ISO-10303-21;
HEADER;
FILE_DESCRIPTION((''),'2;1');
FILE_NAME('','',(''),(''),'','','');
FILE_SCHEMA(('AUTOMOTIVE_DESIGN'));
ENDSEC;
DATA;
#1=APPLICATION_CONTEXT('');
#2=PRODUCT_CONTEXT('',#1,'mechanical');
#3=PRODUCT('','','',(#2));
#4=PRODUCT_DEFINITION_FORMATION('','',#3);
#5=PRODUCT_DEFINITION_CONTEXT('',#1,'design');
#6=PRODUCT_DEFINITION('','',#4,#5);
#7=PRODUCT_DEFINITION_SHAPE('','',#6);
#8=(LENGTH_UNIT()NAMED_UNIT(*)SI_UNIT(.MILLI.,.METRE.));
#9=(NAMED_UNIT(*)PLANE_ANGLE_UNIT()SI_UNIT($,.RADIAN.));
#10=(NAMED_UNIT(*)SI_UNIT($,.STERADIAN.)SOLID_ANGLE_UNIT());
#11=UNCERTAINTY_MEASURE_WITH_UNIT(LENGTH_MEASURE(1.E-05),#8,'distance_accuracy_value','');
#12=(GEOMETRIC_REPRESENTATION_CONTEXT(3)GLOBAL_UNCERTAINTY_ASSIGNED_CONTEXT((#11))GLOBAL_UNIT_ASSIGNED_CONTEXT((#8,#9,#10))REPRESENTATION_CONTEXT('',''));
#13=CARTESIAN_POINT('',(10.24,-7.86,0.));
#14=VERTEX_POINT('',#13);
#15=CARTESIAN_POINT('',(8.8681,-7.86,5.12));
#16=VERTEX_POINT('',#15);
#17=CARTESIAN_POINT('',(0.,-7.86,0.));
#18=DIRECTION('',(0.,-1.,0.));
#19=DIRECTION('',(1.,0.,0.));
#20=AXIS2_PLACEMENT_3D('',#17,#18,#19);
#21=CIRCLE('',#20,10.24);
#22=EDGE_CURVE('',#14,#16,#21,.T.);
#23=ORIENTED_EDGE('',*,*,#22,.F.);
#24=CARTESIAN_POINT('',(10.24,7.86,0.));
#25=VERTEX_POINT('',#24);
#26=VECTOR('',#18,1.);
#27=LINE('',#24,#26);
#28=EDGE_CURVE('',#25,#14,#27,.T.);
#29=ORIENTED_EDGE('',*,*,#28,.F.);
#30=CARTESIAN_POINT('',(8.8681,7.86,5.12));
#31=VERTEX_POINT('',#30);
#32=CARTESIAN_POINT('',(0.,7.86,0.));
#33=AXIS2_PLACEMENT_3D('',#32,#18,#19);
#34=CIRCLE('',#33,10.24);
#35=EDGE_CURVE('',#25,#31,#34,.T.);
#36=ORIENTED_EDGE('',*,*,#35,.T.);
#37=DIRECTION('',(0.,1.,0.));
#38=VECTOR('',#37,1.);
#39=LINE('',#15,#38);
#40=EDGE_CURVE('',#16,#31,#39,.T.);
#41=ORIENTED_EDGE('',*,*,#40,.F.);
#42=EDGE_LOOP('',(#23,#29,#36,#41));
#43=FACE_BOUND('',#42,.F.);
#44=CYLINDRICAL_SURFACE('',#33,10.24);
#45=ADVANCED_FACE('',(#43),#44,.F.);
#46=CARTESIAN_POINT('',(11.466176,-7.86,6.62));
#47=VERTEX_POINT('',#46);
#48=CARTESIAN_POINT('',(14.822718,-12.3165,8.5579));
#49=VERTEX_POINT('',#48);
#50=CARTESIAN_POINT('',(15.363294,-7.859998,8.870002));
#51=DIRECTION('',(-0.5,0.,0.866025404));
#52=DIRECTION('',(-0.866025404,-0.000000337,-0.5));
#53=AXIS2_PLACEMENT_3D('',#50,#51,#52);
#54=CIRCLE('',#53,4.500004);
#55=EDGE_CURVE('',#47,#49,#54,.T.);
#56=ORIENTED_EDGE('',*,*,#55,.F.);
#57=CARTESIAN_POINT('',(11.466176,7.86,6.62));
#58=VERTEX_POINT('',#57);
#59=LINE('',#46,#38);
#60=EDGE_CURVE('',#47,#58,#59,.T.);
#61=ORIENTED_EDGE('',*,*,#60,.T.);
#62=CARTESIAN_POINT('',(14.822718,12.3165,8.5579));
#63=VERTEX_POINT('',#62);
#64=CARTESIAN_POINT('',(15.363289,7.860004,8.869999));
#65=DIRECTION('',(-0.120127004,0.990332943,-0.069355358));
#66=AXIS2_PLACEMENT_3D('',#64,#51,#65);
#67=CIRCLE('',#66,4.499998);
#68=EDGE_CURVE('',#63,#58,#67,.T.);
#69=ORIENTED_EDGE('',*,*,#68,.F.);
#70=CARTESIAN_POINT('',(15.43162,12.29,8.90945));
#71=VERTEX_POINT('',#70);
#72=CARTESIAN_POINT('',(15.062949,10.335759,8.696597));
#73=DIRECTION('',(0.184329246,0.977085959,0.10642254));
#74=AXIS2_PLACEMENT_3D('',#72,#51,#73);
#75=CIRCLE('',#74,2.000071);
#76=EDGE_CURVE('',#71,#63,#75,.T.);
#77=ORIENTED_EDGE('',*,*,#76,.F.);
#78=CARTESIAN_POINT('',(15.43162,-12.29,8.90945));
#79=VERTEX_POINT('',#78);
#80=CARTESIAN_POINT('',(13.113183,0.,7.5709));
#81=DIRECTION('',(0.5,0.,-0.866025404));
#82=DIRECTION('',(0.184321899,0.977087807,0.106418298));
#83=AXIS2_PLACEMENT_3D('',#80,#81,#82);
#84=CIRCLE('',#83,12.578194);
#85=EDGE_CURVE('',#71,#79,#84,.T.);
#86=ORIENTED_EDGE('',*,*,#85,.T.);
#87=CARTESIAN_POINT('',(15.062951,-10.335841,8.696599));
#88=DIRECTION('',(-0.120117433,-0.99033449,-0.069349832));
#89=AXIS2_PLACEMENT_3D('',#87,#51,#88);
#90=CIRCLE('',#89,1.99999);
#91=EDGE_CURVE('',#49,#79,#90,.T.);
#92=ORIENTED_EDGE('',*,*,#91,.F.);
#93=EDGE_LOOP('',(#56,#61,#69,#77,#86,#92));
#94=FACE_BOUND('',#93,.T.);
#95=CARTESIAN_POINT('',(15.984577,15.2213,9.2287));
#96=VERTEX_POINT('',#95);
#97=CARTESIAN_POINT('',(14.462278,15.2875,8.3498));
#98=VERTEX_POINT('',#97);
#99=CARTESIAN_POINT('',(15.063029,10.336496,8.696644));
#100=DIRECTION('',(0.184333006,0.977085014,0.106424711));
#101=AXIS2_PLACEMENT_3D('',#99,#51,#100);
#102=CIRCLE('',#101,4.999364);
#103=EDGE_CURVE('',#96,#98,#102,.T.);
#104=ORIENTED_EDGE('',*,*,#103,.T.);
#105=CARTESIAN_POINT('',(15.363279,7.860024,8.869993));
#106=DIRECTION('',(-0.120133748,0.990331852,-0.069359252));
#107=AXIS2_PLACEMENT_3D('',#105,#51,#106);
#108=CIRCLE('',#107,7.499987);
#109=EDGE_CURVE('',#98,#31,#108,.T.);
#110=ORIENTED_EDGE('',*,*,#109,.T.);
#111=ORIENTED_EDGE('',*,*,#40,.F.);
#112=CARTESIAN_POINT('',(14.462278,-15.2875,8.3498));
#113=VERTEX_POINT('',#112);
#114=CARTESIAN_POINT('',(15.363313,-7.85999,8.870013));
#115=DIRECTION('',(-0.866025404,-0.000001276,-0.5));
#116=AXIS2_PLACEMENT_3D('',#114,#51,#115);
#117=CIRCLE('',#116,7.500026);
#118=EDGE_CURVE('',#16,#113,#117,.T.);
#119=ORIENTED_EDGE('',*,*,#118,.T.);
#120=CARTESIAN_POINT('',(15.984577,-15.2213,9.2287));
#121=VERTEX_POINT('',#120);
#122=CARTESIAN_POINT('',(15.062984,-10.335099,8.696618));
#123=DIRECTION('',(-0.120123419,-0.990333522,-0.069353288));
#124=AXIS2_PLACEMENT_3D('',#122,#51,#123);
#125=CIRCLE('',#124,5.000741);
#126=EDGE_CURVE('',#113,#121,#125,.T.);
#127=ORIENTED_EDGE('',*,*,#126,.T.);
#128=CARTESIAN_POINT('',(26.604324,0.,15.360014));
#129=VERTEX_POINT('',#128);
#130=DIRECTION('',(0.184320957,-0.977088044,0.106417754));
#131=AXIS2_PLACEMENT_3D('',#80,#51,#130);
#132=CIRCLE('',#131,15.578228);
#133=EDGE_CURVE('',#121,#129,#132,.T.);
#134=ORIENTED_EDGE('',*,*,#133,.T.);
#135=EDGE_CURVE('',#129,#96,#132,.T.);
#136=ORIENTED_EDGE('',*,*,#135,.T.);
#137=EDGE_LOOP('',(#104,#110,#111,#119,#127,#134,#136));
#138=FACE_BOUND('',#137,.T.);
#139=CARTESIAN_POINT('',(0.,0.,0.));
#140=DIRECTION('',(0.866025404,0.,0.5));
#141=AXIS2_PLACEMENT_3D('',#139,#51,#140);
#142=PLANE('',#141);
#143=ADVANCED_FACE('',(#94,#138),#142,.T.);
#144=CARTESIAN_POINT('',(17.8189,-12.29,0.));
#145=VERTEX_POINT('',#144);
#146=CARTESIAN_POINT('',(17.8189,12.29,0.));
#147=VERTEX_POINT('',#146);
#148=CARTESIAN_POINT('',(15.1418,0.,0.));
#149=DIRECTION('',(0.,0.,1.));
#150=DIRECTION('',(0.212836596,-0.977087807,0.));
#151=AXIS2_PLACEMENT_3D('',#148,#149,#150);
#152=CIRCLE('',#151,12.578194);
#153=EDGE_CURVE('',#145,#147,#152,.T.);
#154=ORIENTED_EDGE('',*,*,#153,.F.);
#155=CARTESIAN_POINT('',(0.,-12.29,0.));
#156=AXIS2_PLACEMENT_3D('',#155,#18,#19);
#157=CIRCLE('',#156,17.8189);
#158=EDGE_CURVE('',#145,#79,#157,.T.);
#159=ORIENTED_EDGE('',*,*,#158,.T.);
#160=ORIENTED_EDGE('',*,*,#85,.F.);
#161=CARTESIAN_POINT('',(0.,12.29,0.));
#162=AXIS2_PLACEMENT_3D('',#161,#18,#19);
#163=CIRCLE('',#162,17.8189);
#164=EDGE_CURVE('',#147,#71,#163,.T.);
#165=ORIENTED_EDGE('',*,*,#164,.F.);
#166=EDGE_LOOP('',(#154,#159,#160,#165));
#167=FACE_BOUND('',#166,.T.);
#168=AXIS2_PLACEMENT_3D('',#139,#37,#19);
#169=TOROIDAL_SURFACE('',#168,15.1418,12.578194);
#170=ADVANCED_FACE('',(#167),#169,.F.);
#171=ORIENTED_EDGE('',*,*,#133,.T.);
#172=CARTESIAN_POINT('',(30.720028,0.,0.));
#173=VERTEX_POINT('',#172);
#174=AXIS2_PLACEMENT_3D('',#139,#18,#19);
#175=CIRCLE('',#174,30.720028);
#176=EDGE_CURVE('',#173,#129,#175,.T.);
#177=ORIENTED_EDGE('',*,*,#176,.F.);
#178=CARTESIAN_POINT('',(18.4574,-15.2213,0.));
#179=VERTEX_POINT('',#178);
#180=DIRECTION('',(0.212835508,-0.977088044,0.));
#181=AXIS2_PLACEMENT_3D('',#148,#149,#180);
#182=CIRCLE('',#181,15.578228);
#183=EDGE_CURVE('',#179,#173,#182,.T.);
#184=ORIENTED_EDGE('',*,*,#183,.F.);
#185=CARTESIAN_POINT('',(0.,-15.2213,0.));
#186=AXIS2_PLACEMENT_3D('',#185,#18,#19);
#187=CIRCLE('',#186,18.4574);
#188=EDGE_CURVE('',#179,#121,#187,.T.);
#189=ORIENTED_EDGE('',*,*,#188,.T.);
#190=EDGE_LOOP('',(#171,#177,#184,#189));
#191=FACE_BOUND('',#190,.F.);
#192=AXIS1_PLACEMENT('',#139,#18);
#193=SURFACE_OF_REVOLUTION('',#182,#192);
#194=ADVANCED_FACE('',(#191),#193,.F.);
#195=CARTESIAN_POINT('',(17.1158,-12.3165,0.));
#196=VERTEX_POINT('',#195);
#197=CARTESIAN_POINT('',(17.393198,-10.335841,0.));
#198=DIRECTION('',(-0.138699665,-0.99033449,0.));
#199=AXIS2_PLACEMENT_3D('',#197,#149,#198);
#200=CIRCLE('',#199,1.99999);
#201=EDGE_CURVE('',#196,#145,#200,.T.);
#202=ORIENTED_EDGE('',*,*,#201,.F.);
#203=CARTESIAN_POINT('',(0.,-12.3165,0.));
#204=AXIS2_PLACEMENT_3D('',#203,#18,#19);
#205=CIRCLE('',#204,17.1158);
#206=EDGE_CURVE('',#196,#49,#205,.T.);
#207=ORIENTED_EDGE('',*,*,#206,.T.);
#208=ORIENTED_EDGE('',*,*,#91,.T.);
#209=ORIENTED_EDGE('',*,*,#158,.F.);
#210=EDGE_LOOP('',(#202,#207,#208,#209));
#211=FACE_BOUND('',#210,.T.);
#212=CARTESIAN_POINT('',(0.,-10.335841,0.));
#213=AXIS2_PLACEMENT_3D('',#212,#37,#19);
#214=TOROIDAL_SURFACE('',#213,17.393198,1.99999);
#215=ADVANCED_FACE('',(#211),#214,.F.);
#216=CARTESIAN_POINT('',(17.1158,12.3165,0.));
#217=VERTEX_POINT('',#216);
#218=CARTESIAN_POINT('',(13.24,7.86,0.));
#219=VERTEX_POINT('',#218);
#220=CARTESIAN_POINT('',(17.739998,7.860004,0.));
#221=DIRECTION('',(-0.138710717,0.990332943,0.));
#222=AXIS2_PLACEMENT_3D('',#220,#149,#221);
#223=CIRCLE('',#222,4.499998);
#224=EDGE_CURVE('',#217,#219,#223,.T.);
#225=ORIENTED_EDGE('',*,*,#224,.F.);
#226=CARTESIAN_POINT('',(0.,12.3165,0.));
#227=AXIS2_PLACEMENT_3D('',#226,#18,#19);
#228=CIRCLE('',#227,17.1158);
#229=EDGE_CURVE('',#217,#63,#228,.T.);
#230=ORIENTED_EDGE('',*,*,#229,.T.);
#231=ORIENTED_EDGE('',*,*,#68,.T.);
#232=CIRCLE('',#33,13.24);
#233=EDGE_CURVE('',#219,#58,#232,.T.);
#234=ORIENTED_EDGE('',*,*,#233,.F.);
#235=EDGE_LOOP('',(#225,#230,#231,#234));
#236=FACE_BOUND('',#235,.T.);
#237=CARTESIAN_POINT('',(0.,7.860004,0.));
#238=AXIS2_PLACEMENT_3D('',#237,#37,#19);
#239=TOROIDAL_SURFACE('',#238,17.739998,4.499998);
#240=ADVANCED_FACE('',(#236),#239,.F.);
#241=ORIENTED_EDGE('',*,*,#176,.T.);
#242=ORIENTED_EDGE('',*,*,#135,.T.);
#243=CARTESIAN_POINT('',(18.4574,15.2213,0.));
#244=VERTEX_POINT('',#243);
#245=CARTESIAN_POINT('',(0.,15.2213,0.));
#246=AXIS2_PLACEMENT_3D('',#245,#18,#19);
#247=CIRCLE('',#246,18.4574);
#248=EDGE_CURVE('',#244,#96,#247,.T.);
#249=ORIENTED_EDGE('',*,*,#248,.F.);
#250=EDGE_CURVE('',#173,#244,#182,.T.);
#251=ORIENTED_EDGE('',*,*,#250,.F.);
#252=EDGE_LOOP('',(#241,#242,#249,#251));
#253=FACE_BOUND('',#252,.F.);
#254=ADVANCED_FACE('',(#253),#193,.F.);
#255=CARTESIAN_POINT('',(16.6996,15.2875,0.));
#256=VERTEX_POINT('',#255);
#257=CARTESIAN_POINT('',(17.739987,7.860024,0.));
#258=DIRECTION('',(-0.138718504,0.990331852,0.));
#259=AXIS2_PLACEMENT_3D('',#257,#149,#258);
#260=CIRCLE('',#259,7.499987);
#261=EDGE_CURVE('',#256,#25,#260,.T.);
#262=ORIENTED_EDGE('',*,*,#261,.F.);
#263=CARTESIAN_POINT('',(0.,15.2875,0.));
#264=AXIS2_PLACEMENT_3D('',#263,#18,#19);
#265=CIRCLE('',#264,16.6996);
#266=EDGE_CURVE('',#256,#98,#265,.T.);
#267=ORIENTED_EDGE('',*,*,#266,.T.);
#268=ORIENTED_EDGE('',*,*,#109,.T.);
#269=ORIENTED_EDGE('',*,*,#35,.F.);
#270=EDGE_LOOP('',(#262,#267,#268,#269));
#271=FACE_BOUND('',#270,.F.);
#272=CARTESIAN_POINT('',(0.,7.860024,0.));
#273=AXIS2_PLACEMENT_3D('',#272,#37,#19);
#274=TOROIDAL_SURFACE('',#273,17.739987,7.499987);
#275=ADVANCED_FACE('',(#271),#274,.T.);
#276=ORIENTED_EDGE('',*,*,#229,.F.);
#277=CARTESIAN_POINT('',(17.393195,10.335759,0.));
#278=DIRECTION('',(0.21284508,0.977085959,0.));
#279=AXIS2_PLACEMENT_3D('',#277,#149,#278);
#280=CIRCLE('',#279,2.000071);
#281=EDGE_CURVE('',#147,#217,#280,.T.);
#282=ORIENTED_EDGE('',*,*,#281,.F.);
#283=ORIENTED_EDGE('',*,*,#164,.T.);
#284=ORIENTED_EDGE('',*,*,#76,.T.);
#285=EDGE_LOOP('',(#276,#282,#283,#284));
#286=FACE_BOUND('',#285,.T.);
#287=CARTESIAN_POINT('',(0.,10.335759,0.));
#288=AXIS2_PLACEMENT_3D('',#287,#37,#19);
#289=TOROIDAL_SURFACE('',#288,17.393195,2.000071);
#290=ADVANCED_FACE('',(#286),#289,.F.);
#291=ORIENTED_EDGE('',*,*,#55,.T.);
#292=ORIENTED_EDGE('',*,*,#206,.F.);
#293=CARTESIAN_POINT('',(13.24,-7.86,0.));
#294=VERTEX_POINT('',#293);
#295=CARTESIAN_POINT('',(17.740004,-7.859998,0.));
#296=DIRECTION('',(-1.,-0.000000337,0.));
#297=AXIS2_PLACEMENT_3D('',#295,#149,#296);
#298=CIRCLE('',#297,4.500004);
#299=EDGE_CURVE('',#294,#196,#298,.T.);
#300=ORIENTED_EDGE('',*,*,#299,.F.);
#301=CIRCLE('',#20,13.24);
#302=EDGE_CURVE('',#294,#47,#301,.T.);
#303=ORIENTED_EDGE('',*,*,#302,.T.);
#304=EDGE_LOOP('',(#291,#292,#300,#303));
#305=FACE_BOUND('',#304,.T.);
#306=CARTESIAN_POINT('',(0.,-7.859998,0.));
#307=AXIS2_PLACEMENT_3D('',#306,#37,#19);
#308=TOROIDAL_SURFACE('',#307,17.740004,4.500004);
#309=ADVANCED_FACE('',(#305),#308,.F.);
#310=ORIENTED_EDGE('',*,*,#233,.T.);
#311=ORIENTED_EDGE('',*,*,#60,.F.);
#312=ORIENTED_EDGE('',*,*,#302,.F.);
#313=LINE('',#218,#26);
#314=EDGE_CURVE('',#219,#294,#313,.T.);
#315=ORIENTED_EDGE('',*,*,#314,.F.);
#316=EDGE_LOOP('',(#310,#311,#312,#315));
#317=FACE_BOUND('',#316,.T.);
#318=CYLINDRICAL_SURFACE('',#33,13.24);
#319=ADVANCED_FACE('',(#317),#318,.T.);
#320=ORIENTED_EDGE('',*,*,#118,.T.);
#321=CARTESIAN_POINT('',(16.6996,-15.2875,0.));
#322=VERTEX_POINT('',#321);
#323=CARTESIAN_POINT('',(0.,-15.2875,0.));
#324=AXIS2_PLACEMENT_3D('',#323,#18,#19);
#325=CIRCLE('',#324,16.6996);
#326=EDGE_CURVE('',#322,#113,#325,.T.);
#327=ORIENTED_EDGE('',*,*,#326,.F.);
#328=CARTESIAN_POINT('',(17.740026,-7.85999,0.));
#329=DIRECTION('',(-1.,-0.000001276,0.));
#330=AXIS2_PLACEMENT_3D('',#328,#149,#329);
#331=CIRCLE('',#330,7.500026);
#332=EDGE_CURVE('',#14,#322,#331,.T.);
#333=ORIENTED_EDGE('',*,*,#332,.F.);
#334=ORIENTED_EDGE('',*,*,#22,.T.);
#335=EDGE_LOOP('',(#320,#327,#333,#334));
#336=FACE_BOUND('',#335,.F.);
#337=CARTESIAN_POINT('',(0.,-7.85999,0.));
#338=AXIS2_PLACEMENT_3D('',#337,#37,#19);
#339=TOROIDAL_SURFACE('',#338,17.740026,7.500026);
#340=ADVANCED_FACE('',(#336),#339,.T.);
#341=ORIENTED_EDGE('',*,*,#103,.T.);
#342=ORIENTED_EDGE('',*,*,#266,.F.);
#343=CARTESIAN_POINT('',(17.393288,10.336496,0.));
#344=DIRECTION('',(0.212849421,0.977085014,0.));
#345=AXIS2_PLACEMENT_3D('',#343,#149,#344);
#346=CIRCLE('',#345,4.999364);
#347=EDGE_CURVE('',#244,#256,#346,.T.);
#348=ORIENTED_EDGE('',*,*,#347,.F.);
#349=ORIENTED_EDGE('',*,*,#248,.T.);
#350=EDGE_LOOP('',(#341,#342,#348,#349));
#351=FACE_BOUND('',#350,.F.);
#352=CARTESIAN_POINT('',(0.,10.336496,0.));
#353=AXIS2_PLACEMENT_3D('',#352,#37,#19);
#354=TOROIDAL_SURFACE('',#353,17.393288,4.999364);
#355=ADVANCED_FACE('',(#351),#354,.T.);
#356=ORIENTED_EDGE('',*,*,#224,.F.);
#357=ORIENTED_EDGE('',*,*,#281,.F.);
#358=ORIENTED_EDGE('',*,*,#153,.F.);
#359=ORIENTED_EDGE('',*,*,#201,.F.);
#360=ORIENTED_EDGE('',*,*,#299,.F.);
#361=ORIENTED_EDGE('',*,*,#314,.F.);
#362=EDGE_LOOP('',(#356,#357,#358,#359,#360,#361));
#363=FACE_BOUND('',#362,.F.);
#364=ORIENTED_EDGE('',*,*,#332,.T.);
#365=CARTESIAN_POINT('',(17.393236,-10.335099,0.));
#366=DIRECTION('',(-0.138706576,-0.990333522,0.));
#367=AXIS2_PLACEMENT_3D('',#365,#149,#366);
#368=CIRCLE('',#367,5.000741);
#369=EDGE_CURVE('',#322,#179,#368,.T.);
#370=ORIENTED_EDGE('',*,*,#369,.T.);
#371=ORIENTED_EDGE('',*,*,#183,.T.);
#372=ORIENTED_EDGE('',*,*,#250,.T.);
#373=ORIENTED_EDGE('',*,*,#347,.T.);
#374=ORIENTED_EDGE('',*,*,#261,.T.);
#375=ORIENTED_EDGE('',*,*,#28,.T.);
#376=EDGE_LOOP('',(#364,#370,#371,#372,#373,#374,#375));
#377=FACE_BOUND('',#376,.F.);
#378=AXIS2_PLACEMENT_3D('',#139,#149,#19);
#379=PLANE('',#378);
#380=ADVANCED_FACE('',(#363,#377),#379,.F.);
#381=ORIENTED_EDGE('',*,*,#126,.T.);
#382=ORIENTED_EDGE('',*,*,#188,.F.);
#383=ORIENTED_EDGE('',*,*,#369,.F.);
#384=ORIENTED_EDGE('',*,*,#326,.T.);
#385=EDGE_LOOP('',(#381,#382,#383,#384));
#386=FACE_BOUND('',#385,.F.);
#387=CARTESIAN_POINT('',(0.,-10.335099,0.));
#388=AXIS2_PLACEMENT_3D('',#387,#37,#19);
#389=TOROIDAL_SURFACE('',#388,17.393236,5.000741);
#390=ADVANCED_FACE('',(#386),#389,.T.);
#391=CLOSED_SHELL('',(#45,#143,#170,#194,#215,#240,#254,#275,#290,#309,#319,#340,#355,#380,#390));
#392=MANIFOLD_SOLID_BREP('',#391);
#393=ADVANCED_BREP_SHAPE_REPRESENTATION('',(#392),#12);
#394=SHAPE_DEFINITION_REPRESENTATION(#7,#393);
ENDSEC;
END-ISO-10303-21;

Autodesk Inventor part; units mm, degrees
ref_plane "Work Plane2" through (0, 0, 0) normal (-0.2588, 0, -0.9659) x (0, 1, 0)
ref_plane "Work Plane1" through (-7, 0, -29.5697) normal (1, 0, 0) x (0, 0, -1)
ref_plane "YZ Plane" through (0, 0, 0) normal (1, 0, 0) x (0, 1, 0)
sketch "Sketch1" plane through (0, 0, 0) normal (0, 0, 1) x (1, 0, 0)
  line L0 (0, 0) -> (0, 15.36) construction
  line L1 (10.24, 7.86) -> (10.24, -7.86)
  line L2 (17.74, 15.36) -> (17.74, -15.36) construction
  arc A0 (16.6996, 15.2875) -> (10.24, 7.86) centre (17.74, 7.86) ccw
  arc A1 (10.24, -7.86) -> (16.6996, -15.2875) centre (17.74, -7.86) ccw
  arc A2 (18.4574, -15.2213) -> (18.4574, 15.2213) centre (15.1418, 0) ccw
  line L3 (0, 0) -> (51.4073, 0)
  arc A3 (18.4574, 15.2213) -> (16.6996, 15.2875) centre (17.3932, 10.3358) ccw
  arc A4 (16.6996, -15.2875) -> (18.4574, -15.2213) centre (17.3932, -10.3358) ccw
  arc A5 (17.8189, 12.29) -> (17.1158, 12.3165) centre (17.3932, 10.3358) ccw
  arc A6 (17.1158, 12.3165) -> (13.24, 7.86) centre (17.74, 7.86) ccw
  line L4 (13.24, 7.86) -> (13.24, -7.86)
  arc A7 (13.24, -7.86) -> (17.1158, -12.3165) centre (17.74, -7.86) ccw
  arc A8 (17.1158, -12.3165) -> (17.8189, -12.29) centre (17.3932, -10.3358) ccw
  arc A9 (17.8189, -12.29) -> (17.8189, 12.29) centre (15.1418, 0) ccw
  point P0 (10.24, 0)
  point P1 (30.72, 0)
  point P2 (17.74, 0)
  dimension "MaxHeight" = 15.36
  dimension "FlatHeightx2" = 15.72
  dimension "ID" = 20.48
  dimension "OD" = 61.44
  dimension "d5" = 30.72
  dimension "RadAtPeak" = 17.74
  dimension "d90" = 5
  dimension "d97" = 3
revolve "Revolution1" add sketch "Sketch1" angle 30 about axis through (0, 0, 0) along (0, -1, 0) contours A0 A3 A2 L3 A9 A5 A6 L4 L1 | L3 L4 A7 A8 A9 A2 A4 A1 L1
sketch "Sketch7" plane through (0, 0, 0) normal (0, 1, 0) x (-1, 0, 0)
  circle A0 centre (0, 0) radius 198.9616
sketch "Sketch8" plane through (0, 0, 0) normal (1, 0, 0) x (0, 1, 0)
  circle A0 centre (0, 0) radius 159.0195
sketch "Sketch9" plane through (0, 0, 0) normal (1, 0, 0) x (0, 0, -1)
  line L0 (74, 0) -> (35, 0) projected
  point P0 (0, 0)
  point P1 (-52.5, 0)
  point P2 (0, 0)
  point P3 (52.5, 0)
  dimension "d88" = 105
  dimension "d89" = 52.5
sketch "Sketch11" plane through (0, 0, 0) normal (1, 0, 0) x (0, 0, -1)
  arc A0 (-35, 25.9107) -> (-42.6927, 34.8921) centre (-44.0893, 25.9107) ccw projected
  line L0 (-35, 25.9107) -> (-35, 0) projected
  line L1 (-35, 0) -> (35, 0) projected
  arc A1 (-50.0415, 0) -> (-54.9585, 0) centre (-52.5, 0) ccw projected
  arc A2 (-50.0415, 0) -> (-54.9585, 0) centre (-37.5, 0) ccw projected
  arc A3 (-39.8678, 39.0634) -> (-73, 0) centre (-33.4058, 0) ccw
  arc A4 (-29.5697, 27.789) -> (-36.4391, 38.3935) centre (-44.0893, 25.9107) ccw
  line L2 (-29.5697, 27.789) -> (-29.5697, 0)
  line L3 (-35, 0) -> (35, 0) projected
  line L4 (-73, 0) -> (-29.5697, 0)
  arc A5 (-36.4391, 38.3935) -> (-39.8678, 39.0634) centre (-39.0518, 34.1304) ccw
  point P0 (0, 0)
  point P1 (-35, 0)
  point P2 (-29.5697, 0)
  point P3 (-54.9585, 0)
  point P4 (-50.0415, 0)
  dimension "d91" = 5
equation "\"d5\" = 2 * MaxHeight"
equation "\"d63_Copy\" = 35"
properties part number "L_Drive_Pair_Notch" material "UHMW, White"
